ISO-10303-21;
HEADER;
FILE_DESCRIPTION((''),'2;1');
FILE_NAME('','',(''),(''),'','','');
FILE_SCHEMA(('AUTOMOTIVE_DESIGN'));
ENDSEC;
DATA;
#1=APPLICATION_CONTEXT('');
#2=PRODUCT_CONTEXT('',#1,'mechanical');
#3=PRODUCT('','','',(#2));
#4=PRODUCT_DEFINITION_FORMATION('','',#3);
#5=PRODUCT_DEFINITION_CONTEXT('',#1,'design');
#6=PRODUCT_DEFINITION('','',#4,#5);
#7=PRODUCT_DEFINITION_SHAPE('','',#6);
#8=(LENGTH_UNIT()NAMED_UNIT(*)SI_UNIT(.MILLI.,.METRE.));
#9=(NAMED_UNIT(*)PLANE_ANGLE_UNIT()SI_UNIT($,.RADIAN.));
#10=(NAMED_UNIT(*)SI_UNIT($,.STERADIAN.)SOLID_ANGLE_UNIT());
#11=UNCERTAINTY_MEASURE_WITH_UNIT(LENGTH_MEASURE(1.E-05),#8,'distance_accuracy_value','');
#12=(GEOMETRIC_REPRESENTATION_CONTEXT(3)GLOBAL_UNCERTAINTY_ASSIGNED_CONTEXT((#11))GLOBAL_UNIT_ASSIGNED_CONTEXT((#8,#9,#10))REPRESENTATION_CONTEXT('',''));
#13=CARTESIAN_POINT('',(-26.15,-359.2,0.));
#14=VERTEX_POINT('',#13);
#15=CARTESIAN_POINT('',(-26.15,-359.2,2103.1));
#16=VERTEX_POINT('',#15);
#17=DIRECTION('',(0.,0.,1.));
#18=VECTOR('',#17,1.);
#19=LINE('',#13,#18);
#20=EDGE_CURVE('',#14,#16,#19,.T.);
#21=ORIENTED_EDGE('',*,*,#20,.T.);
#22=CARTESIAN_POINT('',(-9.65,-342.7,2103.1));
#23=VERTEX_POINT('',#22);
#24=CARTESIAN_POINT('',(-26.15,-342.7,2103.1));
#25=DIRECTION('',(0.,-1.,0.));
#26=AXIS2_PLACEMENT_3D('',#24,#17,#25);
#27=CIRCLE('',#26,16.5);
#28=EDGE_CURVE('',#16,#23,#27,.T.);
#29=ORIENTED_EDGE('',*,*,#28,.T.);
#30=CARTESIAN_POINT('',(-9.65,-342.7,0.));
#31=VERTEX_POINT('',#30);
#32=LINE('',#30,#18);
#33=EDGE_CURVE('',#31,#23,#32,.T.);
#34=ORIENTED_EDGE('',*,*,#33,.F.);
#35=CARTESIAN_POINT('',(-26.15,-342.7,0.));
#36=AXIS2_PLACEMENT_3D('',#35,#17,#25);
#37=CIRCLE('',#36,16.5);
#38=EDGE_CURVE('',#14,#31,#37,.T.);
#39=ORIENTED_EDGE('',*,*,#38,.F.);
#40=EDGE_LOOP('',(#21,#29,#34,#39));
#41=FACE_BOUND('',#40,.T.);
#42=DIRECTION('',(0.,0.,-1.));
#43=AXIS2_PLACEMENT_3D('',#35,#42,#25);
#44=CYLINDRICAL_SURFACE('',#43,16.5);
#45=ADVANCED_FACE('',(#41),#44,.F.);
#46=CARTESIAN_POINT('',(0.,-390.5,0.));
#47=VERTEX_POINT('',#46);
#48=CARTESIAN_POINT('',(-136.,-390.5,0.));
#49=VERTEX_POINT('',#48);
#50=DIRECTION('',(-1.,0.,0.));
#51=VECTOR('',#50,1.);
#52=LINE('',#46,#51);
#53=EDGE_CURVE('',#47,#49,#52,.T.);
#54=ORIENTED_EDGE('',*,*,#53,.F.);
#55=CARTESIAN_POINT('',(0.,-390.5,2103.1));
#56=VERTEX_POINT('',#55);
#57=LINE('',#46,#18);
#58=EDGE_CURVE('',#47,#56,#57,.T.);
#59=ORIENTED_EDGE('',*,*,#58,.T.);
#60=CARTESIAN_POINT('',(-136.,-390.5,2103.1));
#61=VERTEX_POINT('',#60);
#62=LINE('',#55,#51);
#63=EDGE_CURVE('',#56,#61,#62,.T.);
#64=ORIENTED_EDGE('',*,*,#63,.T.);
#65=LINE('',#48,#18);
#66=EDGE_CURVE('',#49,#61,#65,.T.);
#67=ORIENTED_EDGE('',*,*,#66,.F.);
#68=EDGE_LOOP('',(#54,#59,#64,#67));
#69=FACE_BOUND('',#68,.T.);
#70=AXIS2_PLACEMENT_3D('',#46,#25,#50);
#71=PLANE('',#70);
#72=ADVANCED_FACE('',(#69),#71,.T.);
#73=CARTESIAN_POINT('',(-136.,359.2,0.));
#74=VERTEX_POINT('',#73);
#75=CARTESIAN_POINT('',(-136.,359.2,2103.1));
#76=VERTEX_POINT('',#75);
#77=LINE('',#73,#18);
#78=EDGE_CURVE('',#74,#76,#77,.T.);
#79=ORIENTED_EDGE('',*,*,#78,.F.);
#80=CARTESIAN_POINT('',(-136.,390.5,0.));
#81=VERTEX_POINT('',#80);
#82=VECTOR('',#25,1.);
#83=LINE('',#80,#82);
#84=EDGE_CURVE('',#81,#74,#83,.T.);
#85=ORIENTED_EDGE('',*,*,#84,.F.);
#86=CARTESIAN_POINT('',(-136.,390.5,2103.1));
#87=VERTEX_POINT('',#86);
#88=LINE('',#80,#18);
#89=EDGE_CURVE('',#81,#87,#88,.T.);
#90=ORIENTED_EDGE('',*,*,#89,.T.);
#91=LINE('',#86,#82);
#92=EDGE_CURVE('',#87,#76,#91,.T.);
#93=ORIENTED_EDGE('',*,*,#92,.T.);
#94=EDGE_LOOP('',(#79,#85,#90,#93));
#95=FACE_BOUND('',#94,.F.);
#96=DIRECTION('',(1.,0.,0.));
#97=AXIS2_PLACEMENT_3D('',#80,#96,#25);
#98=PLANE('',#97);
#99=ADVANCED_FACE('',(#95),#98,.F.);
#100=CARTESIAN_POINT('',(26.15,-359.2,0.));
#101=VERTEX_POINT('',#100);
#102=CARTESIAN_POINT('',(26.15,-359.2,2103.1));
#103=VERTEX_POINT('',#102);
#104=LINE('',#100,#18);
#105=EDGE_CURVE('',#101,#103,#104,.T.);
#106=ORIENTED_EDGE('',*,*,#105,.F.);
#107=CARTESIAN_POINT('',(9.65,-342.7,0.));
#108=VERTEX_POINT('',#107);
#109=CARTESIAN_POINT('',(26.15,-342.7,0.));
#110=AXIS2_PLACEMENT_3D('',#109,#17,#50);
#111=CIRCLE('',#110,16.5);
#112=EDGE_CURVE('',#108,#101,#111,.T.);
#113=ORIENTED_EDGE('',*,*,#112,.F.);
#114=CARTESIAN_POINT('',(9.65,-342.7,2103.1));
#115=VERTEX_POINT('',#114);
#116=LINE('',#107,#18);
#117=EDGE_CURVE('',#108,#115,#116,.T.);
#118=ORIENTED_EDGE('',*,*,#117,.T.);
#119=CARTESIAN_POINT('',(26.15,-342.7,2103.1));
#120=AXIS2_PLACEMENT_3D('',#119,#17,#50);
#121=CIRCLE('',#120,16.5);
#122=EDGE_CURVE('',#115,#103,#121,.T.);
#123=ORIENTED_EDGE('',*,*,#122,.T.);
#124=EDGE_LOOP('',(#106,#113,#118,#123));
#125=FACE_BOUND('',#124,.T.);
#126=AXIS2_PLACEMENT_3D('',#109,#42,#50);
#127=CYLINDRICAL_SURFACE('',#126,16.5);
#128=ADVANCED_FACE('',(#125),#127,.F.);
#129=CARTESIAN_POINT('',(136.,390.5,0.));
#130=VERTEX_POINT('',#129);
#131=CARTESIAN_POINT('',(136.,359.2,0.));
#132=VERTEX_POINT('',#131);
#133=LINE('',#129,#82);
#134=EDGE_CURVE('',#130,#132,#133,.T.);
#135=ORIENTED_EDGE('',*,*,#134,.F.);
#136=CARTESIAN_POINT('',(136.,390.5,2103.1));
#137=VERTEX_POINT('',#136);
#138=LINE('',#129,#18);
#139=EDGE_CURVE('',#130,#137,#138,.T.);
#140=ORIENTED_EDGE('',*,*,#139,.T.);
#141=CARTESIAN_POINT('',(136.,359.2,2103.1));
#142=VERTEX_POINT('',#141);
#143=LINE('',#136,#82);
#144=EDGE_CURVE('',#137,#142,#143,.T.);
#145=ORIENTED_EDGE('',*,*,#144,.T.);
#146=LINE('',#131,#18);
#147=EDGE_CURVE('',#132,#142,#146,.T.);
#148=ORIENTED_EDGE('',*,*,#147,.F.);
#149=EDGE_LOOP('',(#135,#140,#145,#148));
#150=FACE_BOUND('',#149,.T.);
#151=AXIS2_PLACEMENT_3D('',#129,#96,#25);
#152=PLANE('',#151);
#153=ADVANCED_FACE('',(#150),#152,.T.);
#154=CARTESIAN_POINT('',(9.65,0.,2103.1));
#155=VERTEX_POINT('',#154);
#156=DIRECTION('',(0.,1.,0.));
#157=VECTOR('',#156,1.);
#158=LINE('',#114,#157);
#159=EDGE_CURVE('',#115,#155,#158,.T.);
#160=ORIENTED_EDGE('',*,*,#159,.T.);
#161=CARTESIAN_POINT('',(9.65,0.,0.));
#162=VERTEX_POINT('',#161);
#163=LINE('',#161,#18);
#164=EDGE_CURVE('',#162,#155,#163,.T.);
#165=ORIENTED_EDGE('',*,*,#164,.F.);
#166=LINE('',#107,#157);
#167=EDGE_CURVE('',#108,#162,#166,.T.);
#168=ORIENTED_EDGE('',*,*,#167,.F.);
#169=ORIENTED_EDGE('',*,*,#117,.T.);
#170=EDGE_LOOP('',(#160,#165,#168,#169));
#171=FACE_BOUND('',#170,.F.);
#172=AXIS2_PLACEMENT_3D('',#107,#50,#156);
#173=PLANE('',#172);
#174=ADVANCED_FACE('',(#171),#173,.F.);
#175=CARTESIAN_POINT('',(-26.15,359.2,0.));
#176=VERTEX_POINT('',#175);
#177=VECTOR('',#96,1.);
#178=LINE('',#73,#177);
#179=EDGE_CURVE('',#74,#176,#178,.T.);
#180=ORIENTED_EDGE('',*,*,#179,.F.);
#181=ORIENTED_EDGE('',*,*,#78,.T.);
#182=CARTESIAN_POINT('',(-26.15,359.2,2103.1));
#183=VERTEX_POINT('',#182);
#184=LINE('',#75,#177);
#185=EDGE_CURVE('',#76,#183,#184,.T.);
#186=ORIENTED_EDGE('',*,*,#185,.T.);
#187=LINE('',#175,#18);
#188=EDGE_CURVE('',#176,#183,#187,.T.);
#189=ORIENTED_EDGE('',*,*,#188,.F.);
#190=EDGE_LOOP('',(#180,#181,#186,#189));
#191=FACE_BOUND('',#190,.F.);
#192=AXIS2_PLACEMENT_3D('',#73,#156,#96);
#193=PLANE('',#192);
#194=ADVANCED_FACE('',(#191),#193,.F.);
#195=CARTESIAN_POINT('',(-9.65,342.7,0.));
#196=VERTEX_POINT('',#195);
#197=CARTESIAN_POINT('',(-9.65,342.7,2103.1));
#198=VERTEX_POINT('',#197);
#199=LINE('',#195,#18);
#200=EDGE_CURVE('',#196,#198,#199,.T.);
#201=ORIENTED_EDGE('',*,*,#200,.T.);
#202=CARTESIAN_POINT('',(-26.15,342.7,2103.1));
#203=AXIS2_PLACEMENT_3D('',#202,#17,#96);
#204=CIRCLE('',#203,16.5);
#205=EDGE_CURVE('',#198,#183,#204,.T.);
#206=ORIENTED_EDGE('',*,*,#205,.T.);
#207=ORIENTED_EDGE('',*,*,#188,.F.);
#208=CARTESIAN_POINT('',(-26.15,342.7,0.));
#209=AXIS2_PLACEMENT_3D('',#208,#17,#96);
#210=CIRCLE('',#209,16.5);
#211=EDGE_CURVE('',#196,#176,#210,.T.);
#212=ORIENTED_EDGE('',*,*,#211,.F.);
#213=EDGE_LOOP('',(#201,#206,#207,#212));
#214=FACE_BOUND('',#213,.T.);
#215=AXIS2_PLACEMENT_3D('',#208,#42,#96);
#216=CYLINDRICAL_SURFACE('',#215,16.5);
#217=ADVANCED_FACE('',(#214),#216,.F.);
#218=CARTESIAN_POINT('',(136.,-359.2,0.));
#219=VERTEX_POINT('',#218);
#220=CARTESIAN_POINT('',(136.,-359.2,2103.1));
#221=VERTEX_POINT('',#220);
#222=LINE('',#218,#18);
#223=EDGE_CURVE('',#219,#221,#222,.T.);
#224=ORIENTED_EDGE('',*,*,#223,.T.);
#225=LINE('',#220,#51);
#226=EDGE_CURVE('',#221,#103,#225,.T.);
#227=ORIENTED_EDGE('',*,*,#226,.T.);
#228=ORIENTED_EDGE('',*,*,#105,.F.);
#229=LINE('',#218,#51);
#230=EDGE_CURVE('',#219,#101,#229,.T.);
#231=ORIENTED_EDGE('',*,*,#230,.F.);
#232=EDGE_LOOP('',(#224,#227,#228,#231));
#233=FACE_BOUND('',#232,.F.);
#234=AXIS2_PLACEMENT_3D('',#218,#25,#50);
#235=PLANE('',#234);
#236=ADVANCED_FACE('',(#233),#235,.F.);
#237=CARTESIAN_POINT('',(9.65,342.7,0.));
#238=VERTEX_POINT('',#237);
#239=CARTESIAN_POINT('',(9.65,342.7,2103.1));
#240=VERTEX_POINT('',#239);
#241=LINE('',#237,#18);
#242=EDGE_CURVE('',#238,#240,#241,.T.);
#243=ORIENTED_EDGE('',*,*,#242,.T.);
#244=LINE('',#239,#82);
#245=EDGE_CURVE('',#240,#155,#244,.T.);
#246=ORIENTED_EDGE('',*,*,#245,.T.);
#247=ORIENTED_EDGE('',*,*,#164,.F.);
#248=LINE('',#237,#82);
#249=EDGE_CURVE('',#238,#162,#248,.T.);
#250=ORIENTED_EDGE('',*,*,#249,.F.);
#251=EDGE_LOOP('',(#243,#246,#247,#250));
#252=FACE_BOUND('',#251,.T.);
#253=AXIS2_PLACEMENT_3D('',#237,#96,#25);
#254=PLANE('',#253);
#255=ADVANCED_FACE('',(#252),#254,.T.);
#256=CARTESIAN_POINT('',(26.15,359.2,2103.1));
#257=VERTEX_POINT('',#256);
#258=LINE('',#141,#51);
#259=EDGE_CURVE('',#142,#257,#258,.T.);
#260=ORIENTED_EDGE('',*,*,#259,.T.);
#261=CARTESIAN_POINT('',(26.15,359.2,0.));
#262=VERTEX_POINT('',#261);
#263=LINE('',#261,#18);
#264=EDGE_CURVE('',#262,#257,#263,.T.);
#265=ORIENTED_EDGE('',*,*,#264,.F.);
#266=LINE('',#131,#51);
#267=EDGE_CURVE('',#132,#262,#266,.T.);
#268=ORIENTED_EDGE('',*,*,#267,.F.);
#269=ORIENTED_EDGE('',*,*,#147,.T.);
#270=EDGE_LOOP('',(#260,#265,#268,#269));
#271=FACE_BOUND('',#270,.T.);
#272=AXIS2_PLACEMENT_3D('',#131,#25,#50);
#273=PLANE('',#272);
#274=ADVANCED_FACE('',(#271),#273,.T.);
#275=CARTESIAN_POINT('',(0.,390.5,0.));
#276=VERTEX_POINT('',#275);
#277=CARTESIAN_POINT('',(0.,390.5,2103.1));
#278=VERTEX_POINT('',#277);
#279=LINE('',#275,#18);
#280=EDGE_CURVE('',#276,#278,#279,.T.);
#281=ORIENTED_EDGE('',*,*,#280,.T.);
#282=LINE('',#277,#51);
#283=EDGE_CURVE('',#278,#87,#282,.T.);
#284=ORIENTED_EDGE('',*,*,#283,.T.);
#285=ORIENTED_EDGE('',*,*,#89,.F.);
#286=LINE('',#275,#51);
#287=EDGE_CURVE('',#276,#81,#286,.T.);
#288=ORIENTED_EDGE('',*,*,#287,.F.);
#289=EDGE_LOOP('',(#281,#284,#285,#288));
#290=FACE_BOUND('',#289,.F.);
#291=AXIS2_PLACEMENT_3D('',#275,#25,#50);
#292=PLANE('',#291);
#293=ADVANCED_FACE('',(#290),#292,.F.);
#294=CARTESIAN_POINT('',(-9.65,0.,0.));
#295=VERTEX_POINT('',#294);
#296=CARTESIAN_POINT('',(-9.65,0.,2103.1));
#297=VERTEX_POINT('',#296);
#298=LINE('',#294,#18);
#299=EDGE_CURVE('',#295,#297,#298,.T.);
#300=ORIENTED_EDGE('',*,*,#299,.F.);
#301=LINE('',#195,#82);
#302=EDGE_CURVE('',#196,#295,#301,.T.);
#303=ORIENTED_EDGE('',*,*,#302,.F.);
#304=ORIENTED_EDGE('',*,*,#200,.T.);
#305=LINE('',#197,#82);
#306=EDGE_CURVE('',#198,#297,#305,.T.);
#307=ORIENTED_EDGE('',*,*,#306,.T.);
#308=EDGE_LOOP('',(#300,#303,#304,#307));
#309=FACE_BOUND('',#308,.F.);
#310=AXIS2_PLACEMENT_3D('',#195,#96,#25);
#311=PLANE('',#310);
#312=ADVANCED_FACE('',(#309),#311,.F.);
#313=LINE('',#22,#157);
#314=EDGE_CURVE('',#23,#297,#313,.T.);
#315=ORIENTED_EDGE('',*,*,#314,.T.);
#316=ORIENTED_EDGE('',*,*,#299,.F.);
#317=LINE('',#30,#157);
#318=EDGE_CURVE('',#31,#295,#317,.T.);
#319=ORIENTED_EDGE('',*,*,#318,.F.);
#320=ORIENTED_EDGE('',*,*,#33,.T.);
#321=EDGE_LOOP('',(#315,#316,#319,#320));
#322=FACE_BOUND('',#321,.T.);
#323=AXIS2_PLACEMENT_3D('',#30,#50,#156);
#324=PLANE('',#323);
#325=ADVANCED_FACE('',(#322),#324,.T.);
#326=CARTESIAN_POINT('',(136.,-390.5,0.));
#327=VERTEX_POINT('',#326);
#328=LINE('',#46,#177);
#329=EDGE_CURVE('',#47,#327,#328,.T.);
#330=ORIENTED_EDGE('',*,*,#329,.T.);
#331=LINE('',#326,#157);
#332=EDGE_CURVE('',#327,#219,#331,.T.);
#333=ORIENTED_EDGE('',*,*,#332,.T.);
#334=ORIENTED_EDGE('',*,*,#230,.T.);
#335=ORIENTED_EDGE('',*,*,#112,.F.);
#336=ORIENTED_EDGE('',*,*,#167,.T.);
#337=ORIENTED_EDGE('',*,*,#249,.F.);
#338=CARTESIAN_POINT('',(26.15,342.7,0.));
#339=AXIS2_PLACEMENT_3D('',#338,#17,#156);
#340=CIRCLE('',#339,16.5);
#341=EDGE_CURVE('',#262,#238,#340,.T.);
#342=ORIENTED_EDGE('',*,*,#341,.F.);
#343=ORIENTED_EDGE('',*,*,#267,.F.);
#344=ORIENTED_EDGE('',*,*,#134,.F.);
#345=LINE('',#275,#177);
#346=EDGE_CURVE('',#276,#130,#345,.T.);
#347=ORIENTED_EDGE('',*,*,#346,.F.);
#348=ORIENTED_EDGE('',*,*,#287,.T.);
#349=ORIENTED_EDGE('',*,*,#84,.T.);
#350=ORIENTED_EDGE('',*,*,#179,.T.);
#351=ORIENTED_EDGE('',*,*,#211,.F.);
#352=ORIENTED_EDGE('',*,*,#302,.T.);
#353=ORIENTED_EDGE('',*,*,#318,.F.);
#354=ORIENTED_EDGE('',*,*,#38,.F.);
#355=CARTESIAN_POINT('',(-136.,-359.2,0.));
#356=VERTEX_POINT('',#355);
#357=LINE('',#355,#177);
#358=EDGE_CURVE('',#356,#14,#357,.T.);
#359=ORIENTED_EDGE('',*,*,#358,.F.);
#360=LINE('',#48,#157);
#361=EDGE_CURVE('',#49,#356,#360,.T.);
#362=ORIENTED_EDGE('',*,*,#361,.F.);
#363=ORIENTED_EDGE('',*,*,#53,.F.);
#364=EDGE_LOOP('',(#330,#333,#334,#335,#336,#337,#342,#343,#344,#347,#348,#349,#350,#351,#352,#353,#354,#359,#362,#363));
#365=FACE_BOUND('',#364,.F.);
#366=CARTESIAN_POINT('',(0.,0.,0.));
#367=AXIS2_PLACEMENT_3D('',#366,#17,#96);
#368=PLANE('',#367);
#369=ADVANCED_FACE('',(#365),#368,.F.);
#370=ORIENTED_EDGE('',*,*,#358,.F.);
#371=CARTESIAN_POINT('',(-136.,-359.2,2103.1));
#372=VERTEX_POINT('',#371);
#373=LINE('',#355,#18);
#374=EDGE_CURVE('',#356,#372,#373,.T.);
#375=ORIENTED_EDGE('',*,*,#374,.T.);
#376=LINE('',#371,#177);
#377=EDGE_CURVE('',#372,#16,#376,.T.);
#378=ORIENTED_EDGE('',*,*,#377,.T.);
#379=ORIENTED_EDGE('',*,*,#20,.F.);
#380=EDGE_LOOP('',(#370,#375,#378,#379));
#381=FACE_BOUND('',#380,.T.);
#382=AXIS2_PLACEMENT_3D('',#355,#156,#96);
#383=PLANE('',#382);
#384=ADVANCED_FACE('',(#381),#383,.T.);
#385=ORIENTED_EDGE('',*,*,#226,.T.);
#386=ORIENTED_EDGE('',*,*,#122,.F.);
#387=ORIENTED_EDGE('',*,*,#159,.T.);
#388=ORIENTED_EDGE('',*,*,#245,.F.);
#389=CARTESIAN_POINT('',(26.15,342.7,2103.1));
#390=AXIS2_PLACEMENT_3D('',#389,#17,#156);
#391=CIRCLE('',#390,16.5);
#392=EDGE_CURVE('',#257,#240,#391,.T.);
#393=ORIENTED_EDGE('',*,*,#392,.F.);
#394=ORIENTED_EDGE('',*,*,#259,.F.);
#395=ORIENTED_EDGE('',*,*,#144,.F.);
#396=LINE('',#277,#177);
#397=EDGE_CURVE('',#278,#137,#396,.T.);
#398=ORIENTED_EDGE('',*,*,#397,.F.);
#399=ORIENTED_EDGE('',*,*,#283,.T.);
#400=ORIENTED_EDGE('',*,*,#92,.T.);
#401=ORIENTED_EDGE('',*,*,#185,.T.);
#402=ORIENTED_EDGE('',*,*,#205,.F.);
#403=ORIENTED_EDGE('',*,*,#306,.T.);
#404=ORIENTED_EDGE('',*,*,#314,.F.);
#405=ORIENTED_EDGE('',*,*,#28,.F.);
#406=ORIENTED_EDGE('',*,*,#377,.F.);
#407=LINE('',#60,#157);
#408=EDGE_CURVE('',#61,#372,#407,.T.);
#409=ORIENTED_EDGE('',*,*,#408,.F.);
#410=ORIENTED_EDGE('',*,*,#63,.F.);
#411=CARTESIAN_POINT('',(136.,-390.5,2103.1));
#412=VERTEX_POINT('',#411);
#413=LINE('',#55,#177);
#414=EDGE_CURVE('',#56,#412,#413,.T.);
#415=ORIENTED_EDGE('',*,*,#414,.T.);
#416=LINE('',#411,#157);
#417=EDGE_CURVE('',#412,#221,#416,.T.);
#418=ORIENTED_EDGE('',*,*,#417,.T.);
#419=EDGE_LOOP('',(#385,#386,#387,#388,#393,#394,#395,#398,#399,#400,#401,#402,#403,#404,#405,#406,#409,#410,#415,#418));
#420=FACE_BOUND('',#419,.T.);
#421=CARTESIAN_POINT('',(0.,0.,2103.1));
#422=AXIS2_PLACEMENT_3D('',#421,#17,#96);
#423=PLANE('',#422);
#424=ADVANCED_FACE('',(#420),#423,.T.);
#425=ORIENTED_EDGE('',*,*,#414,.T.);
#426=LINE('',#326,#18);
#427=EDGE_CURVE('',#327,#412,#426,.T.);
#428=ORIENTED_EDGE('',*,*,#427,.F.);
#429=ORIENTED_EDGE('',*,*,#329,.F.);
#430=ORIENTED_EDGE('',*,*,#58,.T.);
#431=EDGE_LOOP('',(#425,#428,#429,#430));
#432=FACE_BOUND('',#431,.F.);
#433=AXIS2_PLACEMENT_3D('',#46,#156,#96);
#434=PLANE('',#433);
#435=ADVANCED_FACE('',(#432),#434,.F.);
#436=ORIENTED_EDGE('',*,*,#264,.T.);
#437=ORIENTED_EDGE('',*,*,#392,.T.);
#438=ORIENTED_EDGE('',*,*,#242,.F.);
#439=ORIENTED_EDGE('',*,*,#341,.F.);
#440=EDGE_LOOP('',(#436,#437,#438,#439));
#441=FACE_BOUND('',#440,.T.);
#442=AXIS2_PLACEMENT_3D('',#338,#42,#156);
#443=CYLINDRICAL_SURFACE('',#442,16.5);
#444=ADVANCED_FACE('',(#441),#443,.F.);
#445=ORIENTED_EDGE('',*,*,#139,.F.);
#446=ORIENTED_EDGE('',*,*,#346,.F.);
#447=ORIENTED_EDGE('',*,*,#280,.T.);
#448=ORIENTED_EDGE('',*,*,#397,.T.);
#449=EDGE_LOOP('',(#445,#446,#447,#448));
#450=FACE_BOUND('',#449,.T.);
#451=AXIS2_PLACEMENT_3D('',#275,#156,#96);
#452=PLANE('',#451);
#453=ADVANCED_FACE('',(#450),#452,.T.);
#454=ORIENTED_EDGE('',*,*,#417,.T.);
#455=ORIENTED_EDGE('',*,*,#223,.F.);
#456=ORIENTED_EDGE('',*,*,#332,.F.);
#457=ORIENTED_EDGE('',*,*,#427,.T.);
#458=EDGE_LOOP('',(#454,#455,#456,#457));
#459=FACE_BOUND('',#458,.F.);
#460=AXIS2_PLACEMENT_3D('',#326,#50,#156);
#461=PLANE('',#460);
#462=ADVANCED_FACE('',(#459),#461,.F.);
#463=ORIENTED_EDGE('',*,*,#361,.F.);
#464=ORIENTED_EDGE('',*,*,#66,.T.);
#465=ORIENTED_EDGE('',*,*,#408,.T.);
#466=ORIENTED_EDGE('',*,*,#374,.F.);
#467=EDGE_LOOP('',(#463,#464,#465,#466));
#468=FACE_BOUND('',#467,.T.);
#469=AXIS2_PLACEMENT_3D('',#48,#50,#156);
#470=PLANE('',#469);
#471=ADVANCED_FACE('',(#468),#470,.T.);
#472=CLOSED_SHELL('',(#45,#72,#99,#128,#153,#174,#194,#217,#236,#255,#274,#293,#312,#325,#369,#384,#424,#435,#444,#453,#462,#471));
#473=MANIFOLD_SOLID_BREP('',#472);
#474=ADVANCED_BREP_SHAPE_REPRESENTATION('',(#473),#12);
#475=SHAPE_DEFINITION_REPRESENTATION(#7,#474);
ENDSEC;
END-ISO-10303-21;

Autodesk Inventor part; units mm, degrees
ref_plane "YZ Plane" through (0, 0, 0) normal (1, 0, 0) x (0, 1, 0)
ref_plane "Start plane" through (0, 0, 0) normal (0, 0, 1) x (1, 0, 0)
ref_plane "End plane" through (0, 0, 2103.1) normal (0, 0, 1) x (1, 0, 0)
sketch "Sketch" plane through (0, 0, 0) normal (0, 0, 1) x (1, 0, 0)
  line L0 (-136, -390.5) -> (-136, -359.2)
  line L1 (-136, -359.2) -> (-26.15, -359.2)
  line L2 (-9.65, -342.7) -> (-9.65, 0)
  line L3 (-9.65, 0) -> (0, 0) construction
  line L4 (0, 0) -> (0, -390.5) construction
  line L5 (0, -390.5) -> (-136, -390.5)
  line L6 (-60, 0) -> (80, 0) construction
  line L7 (0, -60) -> (0, 80) construction
  line L8 (136, -390.5) -> (136, -359.2)
  line L9 (136, -359.2) -> (26.15, -359.2)
  line L10 (9.65, -342.7) -> (9.65, 0)
  line L11 (9.65, 0) -> (0, 0) construction
  line L12 (0, -390.5) -> (136, -390.5)
  line L13 (-136, 390.5) -> (-136, 359.2)
  line L14 (-136, 359.2) -> (-26.15, 359.2)
  line L15 (-9.65, 342.7) -> (-9.65, 0)
  line L16 (0, 390.5) -> (-136, 390.5)
  line L17 (136, 390.5) -> (136, 359.2)
  line L18 (136, 359.2) -> (26.15, 359.2)
  line L19 (0, 390.5) -> (136, 390.5)
  line L20 (9.65, 342.7) -> (9.65, 0)
  arc A0 (-9.65, 342.7) -> (-26.15, 359.2) centre (-26.15, 342.7) ccw
  arc A1 (26.15, 359.2) -> (9.65, 342.7) centre (26.15, 342.7) ccw
  arc A2 (9.65, -342.7) -> (26.15, -359.2) centre (26.15, -342.7) ccw
  arc A3 (-26.15, -359.2) -> (-9.65, -342.7) centre (-26.15, -342.7) ccw
  line L21 (0, 108) -> (0, -88) construction
  line L22 (-88, 0) -> (108, 0) construction
  point P0 (-9.65, -359.2)
  point P1 (9.65, -359.2)
  point P2 (-9.65, 359.2)
  point P3 (9.65, 359.2)
  dimension "d1" = 390.5
  dimension "d2" = 31.3
  dimension "d3" = 136
  dimension "d4" = 9.65
  dimension "d10" = 16.5
extrude "Body" add sketch "Sketch" along normal up to surface (2103.1 mm away) from surface at 0
sketch "Sketch4" plane through (0, 0, 0) normal (0, 0, 1) x (1, 0, 0)
  line L0 (0, 0) -> (10, 0)
ref_plane "Work Plane3" through (0, 0, 0) normal (0, -1, 0) x (1, 0, 0)
sketch "Sketch5" plane through (0, 0, 0) normal (0, -1, 0) x (1, 0, 0)
  line L0 (-2, 0) -> (12, 0) projected
  line L1 (-2, 2103.1) -> (12, 2103.1) projected
  dimension "d14" = 2103.1
equation "\"d1\" = 0.5 * G_H"
equation "\"d2\" = G_T1"
equation "\"d3\" = 0.5 * G_W"
equation "\"d4\" = 0.5 * G_T"
equation "\"d10\" = G_IR"
equation "\"d5\" = G_L"
equation "\"G_W\" = 272"
equation "\"G_H\" = 781"
equation "\"G_T\" = 19.3"
equation "\"G_T1\" = 31.3"
equation "\"G_IR\" = 16.5"
equation "\"G_L\" = d14"
equation "\"G_OFFSET_START\" = 0"
equation "\"G_OFFSET_END\" = 0"
equation "\"d12\" = G_OFFSET_END + B_L"
equation "\"B_L\" = 2103.1"
properties part number "AS 3679-1990 - 760 UB - 244 - 2103.1" material "Steel, Mild"
